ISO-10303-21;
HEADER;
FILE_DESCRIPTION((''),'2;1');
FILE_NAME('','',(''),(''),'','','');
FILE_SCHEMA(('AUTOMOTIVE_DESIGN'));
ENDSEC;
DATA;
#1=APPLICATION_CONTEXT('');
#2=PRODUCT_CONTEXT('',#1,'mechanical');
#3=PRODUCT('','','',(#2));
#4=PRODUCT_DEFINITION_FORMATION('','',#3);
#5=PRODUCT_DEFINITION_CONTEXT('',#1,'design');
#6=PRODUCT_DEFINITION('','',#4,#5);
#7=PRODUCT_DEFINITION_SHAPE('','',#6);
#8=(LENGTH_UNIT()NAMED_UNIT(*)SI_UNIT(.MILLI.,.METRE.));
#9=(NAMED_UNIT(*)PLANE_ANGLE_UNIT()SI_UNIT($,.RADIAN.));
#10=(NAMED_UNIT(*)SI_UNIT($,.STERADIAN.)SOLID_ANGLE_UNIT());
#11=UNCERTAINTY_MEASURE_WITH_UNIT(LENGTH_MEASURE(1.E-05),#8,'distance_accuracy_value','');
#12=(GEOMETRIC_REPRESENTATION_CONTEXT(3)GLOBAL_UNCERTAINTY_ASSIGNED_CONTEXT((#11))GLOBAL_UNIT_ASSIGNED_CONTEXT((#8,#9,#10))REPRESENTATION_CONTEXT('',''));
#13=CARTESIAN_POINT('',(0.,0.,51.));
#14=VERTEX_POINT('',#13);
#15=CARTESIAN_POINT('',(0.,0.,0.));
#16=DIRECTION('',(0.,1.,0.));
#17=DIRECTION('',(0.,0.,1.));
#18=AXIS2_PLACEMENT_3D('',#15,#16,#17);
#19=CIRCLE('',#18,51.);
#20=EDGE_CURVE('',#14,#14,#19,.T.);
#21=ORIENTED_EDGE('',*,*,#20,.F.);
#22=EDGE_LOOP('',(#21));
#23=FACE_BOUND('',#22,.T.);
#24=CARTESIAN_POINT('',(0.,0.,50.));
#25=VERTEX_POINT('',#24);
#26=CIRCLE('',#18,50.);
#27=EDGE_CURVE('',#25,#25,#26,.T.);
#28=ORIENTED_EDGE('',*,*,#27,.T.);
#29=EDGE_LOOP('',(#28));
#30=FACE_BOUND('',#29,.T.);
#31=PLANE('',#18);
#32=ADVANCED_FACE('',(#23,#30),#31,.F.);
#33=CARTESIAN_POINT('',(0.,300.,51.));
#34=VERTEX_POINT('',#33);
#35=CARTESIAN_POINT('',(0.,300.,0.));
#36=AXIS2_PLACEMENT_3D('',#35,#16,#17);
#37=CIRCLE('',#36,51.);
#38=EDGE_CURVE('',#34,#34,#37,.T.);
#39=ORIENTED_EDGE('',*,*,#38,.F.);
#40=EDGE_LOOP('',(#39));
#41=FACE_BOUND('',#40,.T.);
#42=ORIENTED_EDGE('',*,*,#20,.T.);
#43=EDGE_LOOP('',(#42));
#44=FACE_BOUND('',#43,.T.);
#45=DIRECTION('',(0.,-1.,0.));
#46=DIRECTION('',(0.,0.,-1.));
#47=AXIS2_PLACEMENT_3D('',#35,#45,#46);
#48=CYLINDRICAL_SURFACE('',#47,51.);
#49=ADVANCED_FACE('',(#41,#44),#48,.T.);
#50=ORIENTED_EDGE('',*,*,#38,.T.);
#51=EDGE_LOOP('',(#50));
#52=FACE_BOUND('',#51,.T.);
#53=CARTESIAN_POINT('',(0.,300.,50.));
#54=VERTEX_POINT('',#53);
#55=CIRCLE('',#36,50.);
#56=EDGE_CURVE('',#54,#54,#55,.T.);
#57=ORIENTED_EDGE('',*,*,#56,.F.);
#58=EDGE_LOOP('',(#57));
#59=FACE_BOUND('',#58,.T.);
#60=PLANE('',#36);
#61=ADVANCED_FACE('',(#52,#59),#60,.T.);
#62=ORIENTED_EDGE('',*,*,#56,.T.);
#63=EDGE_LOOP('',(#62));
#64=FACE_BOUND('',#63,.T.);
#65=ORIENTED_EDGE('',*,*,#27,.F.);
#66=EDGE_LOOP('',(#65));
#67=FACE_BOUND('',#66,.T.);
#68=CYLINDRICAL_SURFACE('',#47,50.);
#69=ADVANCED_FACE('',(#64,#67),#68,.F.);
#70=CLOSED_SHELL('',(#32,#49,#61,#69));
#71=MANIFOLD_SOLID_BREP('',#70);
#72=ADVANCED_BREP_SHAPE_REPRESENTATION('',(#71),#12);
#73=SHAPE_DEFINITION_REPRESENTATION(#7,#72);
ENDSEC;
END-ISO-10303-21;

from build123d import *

# Parameters (mm, degrees)
SKETCH1_R           = 51
SKETCH1_R_2         = 50
BOSS_EXTRUDE1_DEPTH = 300


with BuildPart() as part:
    # Sketch1 → Boss-Extrude1 (new body)
    with BuildSketch(Plane(origin=(0, 0, 0), x_dir=(1, 0, 0), z_dir=(0, 1, 0))):
        with Locations(Location((0, 0, 0), (0, 0, 270))):
            Circle(SKETCH1_R)
        with Locations(Location((0, 0, 0), (0, 0, 270))):
            Circle(SKETCH1_R_2, mode=Mode.SUBTRACT)
    extrude(amount=BOSS_EXTRUDE1_DEPTH)


solid = part.part
